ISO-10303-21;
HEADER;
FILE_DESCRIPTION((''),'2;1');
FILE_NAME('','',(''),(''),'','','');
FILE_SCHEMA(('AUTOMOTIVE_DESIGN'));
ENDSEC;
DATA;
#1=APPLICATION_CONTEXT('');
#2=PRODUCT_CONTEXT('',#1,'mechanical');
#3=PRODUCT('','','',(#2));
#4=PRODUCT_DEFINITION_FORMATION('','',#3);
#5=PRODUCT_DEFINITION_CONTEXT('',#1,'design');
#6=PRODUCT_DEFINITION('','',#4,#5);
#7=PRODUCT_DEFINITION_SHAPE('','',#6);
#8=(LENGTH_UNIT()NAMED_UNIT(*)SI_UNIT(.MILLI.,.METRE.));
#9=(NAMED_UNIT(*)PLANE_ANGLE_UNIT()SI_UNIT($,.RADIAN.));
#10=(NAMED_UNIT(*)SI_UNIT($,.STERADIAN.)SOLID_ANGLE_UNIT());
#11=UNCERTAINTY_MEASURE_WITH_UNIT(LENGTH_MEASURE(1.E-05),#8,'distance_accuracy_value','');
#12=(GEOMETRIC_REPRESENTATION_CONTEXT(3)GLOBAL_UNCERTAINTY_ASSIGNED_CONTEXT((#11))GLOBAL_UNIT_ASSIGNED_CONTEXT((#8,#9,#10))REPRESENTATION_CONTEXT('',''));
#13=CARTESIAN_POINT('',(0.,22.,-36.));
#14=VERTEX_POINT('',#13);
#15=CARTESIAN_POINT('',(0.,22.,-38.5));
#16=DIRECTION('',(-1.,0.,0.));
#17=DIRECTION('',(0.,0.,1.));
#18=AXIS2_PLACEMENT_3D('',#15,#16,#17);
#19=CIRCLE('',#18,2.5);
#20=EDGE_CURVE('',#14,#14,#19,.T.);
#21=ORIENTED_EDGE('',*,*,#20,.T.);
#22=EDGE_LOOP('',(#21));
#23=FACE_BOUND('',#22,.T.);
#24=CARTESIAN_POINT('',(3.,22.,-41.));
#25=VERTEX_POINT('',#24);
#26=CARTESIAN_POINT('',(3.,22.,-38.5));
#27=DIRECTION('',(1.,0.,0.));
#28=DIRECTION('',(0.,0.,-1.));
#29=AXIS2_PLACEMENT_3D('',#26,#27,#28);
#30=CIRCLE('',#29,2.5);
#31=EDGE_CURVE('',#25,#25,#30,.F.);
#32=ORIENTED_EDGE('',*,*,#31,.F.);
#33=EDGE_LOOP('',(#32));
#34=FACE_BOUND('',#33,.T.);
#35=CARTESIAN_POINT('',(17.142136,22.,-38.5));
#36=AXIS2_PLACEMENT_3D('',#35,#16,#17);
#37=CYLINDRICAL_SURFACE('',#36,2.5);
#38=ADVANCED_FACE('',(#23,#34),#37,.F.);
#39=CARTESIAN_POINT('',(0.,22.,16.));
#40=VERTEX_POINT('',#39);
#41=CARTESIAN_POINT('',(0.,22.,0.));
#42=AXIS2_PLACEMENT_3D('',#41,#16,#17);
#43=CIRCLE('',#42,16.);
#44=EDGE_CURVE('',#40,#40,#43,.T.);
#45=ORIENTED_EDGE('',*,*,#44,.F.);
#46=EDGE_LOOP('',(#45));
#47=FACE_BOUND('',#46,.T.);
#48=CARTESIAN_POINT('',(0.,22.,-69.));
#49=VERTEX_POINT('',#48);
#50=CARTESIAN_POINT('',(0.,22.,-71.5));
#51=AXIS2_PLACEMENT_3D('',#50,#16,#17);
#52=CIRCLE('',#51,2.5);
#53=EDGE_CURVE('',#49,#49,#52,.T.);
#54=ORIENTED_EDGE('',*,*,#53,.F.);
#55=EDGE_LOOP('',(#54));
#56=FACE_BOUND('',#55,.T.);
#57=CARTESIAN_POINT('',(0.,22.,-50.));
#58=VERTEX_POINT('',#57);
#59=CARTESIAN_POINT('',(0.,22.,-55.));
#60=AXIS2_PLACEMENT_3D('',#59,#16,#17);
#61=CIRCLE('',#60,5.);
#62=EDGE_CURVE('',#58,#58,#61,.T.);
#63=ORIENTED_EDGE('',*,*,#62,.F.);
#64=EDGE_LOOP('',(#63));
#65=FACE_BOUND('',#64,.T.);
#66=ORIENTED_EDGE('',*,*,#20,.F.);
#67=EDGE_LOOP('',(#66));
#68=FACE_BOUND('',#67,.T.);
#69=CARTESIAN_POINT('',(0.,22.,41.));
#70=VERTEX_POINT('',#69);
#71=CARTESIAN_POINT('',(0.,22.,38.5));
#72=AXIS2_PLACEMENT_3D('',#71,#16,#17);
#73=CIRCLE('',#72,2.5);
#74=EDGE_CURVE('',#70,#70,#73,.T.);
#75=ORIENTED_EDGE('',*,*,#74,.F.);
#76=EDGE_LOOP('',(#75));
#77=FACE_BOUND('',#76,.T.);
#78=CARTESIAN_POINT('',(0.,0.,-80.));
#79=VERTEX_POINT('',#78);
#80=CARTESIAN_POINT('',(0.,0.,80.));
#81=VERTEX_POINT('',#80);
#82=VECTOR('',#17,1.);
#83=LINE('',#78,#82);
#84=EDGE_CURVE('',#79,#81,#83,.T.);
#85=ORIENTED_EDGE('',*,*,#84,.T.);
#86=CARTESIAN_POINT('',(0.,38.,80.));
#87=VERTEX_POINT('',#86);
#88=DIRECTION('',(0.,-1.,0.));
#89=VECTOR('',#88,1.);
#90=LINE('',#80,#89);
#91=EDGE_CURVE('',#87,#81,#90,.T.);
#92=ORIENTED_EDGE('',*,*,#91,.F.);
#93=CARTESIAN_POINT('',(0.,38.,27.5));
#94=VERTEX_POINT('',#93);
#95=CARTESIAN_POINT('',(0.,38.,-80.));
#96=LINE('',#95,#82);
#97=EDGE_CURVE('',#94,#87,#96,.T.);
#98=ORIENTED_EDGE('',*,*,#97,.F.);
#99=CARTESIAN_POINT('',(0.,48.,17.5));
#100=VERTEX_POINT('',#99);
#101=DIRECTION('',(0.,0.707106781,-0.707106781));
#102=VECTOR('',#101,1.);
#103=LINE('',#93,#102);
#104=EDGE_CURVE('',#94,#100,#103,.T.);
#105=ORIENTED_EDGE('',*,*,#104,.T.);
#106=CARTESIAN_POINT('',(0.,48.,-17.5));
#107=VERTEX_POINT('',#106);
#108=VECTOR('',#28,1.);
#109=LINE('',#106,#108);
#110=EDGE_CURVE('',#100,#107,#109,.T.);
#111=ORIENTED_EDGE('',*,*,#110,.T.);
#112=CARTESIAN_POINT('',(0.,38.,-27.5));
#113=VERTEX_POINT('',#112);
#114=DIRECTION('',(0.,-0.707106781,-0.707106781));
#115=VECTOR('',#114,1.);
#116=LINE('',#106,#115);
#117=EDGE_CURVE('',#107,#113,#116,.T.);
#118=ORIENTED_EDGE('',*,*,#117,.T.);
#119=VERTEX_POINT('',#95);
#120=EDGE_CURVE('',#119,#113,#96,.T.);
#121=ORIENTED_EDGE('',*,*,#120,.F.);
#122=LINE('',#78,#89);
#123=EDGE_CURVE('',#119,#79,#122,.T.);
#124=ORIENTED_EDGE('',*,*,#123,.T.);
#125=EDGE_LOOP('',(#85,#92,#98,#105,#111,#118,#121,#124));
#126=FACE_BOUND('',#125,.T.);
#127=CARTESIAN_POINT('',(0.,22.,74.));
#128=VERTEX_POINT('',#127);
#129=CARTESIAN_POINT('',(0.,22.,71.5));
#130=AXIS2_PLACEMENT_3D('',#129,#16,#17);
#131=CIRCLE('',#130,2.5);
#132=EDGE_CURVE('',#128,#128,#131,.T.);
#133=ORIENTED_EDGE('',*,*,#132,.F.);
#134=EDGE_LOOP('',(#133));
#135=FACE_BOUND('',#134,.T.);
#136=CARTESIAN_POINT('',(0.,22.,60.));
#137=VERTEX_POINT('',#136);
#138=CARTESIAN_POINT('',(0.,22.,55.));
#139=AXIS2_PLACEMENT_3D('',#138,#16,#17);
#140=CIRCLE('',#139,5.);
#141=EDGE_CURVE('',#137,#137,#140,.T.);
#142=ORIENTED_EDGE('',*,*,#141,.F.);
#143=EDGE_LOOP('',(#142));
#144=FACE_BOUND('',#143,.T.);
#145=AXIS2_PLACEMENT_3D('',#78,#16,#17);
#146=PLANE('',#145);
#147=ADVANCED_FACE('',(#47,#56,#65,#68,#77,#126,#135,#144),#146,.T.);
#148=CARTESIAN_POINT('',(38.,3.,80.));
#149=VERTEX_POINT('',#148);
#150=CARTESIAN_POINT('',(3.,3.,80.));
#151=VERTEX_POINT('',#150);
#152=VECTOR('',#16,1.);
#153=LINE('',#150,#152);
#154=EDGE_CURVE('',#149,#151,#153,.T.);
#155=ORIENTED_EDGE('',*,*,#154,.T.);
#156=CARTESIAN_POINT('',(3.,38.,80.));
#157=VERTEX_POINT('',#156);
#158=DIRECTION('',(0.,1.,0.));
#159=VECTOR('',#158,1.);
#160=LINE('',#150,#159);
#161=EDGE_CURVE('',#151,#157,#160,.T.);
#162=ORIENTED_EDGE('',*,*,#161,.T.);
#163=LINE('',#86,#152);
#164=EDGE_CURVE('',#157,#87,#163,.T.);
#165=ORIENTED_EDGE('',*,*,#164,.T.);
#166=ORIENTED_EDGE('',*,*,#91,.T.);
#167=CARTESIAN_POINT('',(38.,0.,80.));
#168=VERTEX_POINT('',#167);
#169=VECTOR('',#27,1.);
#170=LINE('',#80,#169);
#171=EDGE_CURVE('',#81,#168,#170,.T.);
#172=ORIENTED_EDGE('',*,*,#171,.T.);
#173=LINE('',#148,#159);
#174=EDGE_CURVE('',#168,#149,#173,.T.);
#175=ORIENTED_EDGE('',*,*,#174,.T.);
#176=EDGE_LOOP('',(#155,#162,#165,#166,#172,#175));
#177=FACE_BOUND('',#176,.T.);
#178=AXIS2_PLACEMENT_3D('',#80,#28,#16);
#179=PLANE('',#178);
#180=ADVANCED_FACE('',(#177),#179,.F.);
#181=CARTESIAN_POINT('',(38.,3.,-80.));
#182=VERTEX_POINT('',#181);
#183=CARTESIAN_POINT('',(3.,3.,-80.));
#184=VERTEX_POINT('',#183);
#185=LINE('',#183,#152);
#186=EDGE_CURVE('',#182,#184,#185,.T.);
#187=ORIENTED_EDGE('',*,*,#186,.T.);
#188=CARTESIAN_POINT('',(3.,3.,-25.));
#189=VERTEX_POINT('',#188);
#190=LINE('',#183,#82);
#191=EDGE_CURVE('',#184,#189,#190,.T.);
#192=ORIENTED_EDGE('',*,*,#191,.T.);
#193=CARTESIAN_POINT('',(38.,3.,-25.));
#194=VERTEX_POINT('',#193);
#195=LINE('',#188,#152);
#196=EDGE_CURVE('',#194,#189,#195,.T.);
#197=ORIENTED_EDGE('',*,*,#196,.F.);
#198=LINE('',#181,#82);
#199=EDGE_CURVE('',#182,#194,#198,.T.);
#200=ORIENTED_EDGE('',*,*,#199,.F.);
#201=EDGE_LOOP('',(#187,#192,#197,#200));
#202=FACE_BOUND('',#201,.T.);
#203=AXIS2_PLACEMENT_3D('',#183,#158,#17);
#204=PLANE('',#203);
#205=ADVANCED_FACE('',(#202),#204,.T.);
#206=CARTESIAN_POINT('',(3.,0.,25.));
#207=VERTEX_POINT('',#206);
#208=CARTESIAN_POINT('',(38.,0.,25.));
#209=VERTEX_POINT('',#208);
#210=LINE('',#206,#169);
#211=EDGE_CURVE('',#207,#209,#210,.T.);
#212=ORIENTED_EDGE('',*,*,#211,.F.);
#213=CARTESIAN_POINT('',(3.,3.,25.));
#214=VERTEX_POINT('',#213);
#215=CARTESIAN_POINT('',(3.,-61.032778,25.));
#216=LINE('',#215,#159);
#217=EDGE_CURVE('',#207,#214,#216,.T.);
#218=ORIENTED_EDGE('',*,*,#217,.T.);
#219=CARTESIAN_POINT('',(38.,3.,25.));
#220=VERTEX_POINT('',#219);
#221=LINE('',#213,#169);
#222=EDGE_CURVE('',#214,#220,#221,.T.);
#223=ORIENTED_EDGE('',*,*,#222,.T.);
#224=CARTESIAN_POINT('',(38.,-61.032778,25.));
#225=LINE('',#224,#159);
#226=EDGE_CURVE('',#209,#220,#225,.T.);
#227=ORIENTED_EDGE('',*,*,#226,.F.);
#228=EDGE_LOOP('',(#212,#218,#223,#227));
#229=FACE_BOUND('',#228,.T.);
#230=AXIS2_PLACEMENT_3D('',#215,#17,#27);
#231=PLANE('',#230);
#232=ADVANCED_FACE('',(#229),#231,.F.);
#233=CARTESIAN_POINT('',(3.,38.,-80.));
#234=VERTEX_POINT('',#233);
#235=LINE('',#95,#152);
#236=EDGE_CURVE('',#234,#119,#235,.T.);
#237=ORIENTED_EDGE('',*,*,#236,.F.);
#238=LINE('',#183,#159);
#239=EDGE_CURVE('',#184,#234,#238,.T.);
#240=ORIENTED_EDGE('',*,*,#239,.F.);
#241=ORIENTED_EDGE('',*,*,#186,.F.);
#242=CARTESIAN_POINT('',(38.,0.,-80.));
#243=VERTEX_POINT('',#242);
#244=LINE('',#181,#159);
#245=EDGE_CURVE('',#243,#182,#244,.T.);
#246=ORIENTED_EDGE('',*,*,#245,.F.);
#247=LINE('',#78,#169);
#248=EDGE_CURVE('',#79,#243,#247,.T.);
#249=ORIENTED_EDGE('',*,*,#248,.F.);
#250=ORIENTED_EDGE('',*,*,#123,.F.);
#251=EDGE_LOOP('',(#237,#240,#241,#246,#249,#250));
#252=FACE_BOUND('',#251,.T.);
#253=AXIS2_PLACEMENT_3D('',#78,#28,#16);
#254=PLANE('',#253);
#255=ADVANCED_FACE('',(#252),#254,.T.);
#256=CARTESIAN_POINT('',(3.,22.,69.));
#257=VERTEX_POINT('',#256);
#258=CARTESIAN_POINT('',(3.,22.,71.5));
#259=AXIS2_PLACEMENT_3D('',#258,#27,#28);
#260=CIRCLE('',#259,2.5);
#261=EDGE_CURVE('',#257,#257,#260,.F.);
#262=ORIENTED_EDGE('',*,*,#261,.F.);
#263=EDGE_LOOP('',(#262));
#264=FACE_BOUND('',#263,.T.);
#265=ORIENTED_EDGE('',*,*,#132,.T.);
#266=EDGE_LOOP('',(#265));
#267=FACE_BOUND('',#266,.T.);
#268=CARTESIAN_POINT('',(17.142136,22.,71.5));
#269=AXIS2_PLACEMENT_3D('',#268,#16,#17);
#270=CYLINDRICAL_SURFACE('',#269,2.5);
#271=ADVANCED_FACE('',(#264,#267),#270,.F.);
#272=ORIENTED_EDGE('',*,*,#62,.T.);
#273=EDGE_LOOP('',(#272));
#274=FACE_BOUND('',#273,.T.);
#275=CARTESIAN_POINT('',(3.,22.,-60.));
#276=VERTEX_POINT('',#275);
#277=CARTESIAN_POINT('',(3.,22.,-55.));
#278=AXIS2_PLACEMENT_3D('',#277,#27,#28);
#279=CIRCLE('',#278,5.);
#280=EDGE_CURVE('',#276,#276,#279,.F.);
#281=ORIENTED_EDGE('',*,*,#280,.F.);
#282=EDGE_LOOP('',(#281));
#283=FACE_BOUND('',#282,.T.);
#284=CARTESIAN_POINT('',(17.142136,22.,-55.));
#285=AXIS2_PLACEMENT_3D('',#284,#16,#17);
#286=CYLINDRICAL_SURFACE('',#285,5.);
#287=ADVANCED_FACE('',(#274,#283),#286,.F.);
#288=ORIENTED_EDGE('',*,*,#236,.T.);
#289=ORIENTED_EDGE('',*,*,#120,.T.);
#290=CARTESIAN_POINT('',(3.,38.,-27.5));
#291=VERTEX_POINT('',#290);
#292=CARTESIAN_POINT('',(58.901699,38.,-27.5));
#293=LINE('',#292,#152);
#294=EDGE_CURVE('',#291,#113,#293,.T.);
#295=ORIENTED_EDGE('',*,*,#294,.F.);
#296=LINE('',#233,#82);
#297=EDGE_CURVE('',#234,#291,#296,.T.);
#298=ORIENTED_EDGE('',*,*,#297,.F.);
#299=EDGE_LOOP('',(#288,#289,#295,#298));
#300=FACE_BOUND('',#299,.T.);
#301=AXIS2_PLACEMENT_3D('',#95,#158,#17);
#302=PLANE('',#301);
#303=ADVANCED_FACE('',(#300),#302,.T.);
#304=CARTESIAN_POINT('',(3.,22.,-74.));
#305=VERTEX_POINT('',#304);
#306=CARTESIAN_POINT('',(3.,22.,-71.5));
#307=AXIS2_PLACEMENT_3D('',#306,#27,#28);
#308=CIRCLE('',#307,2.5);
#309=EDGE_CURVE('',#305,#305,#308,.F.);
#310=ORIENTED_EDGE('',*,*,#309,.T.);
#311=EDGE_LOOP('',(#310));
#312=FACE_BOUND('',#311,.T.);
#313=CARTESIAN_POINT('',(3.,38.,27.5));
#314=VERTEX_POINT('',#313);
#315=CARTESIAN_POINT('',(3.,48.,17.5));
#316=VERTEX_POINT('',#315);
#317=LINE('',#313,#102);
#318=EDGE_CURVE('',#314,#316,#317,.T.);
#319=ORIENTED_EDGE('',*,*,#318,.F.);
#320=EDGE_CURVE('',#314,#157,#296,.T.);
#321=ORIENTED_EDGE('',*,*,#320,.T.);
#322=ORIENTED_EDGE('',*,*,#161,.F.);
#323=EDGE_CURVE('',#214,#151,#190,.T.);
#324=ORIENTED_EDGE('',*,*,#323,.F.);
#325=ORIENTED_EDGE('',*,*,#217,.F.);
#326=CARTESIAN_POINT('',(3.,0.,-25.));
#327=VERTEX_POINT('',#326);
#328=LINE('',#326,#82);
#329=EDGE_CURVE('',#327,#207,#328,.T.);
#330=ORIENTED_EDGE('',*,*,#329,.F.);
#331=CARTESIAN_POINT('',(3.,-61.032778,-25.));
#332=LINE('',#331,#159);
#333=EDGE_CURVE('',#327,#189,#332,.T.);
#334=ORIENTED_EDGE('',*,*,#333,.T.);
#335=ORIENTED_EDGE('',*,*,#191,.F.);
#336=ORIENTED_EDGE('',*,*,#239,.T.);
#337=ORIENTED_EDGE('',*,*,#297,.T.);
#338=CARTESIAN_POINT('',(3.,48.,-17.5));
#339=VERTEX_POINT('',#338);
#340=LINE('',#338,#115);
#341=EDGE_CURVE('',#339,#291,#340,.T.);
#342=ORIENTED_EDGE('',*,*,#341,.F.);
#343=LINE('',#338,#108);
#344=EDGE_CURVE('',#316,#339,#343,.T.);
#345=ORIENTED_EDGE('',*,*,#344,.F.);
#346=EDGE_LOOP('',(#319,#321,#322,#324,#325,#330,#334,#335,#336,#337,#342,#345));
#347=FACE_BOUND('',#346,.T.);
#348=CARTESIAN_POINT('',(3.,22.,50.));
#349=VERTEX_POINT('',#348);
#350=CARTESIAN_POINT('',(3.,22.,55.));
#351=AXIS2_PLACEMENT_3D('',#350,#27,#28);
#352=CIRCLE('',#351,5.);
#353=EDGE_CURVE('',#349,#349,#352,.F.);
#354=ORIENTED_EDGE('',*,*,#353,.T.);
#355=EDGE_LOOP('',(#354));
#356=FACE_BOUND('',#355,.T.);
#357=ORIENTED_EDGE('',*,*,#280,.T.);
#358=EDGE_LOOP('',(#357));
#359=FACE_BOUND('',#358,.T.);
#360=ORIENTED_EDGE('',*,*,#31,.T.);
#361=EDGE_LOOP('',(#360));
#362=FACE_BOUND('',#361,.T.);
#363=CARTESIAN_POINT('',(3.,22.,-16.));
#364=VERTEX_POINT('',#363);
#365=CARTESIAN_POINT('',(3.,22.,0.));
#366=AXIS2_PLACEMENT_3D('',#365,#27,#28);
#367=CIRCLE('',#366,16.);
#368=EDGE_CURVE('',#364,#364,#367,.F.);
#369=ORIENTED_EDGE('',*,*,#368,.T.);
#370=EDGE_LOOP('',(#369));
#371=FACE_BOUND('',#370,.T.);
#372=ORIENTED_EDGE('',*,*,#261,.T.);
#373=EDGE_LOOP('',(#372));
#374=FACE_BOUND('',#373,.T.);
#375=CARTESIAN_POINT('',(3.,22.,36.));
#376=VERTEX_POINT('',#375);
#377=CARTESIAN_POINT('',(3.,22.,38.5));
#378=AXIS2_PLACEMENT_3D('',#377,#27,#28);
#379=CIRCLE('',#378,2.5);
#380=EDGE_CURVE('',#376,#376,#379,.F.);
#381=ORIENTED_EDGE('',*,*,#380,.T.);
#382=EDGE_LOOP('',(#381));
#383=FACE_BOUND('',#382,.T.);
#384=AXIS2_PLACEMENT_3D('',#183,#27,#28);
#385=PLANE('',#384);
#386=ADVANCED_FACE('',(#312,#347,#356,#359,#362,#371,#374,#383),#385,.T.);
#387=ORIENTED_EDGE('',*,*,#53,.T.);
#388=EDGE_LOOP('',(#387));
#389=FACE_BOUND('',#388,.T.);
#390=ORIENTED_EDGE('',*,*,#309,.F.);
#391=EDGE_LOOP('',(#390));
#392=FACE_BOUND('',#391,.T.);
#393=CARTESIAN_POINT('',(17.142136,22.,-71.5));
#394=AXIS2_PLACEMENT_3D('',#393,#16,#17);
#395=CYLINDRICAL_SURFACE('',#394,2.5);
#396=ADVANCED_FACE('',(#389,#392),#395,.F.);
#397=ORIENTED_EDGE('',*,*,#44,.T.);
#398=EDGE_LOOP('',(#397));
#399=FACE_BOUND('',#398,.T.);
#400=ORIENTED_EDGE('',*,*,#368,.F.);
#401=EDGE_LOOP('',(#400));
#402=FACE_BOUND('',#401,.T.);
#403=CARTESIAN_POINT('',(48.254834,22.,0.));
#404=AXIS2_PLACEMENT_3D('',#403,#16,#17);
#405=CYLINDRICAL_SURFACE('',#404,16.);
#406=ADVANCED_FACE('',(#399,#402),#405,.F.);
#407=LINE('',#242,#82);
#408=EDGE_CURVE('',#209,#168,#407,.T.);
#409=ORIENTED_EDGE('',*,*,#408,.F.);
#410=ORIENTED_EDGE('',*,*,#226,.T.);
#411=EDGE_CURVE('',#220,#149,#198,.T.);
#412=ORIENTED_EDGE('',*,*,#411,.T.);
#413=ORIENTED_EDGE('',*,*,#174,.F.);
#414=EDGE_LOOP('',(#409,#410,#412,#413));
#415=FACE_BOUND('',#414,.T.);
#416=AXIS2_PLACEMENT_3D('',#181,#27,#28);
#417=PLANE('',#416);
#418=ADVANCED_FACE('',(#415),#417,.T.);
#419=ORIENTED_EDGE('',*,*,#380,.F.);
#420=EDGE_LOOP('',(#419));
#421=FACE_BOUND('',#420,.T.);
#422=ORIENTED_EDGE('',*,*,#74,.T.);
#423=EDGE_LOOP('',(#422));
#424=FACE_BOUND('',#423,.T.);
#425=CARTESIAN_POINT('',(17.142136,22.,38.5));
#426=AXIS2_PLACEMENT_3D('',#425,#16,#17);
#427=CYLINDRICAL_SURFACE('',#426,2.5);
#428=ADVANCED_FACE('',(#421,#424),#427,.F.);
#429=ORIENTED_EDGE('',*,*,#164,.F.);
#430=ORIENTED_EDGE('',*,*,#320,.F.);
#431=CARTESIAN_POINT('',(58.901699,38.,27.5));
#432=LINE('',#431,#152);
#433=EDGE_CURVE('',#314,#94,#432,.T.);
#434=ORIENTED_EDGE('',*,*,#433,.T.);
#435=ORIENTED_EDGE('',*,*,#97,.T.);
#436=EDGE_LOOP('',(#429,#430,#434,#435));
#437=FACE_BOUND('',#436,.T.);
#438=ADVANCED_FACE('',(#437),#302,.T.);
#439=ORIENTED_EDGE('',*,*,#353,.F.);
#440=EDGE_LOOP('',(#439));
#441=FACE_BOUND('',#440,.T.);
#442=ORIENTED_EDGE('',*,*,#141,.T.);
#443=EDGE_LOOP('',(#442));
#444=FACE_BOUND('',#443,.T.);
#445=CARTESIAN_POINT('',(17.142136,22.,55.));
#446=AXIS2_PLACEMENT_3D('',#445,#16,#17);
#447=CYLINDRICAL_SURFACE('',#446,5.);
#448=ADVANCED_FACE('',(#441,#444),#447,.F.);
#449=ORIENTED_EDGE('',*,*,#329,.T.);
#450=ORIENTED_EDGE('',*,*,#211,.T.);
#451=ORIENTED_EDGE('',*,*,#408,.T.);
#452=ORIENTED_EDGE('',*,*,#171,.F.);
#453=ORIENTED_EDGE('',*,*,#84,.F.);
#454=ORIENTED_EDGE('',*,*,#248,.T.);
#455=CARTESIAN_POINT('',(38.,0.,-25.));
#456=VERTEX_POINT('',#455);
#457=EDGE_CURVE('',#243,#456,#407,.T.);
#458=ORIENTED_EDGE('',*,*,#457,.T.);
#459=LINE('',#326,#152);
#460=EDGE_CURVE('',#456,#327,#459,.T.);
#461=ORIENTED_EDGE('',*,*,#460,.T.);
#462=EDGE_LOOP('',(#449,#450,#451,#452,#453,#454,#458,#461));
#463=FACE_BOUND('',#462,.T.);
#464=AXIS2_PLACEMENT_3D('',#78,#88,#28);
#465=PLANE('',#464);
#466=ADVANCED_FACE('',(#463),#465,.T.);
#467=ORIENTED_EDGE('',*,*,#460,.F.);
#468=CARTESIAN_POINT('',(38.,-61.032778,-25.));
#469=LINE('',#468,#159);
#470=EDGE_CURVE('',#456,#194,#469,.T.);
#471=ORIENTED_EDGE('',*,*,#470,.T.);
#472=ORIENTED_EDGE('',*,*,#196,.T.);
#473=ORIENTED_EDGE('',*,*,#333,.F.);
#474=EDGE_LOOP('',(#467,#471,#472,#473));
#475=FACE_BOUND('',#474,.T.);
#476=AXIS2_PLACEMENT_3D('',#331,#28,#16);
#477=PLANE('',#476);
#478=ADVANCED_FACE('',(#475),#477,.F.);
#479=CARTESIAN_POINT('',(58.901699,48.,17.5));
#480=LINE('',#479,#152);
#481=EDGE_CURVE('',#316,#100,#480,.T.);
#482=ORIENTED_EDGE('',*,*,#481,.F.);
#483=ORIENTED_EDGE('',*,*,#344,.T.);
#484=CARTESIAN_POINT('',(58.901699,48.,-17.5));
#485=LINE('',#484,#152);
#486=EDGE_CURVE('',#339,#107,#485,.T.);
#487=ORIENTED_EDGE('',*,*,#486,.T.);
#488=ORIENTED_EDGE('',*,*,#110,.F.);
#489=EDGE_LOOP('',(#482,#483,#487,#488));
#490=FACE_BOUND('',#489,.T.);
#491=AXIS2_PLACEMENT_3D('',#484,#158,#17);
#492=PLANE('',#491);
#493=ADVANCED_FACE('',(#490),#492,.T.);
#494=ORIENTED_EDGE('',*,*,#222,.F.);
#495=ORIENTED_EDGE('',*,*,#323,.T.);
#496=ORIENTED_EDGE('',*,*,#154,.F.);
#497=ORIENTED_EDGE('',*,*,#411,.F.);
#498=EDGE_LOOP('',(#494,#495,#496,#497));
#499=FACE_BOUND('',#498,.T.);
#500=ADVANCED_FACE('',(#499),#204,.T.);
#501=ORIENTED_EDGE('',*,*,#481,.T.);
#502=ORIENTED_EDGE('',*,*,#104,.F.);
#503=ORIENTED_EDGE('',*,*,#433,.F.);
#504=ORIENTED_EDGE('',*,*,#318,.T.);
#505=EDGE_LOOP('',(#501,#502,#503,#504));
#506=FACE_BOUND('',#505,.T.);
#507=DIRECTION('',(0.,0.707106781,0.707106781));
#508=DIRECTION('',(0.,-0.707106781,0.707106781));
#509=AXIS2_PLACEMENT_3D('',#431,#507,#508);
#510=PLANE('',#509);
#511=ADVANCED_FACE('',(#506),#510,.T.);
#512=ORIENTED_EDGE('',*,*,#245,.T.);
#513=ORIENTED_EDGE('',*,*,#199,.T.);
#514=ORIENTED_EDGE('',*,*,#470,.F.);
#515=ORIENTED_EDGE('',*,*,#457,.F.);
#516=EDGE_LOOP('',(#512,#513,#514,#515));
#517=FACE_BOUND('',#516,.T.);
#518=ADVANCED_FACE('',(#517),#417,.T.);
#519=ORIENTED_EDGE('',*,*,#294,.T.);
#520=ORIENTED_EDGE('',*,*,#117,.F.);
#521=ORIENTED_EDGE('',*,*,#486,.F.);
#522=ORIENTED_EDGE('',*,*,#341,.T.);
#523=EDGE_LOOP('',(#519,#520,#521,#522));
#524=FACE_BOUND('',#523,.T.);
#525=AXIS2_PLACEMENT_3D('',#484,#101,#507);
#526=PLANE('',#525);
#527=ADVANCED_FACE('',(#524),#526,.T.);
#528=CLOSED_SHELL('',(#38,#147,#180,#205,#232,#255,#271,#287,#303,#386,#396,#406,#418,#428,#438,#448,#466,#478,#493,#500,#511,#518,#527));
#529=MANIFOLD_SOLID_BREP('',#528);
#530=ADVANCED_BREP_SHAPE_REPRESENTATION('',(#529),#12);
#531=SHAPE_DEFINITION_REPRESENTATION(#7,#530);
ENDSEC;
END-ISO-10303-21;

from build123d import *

# Parameters (mm, degrees)
SALIENTE_EXTRUIR1_DEPTH      = 80
SALIENTE_EXTRUIR1_DEPTH_BACK = 80
CROQUIS2_W                   = 35
CROQUIS2_H                   = 50
CORTAR_EXTRUIR1_DEPTH        = 3
CROQUIS3_R                   = 2.5
CROQUIS3_R_2                 = 5
CORTAR_EXTRUIR2_DEPTH        = 3
SALIENTE_EXTRUIR2_DEPTH      = 3
CROQUIS5_R                   = 16
CORTAR_EXTRUIR3_DEPTH        = 3


with BuildPart() as part:
    # Croquis1 → Saliente-Extruir1 (new body, two sides)
    with BuildSketch(Plane.XY) as saliente_extruir1_sk:
        Polygon((0, 0), (0, 38), (3, 38), (3, 3), (38, 3), (38, 0), align=None)
    extrude(amount=SALIENTE_EXTRUIR1_DEPTH)
    extrude(saliente_extruir1_sk.sketch, amount=-SALIENTE_EXTRUIR1_DEPTH_BACK)

    # Croquis2 → Cortar-Extruir1 (cut)
    with BuildSketch(Plane(origin=(0, 3, 0), x_dir=(1, 0, 0), z_dir=(0, 1, 0))):
        with Locations((20.5, 0)):
            Rectangle(CROQUIS2_W, CROQUIS2_H)
    extrude(amount=-CORTAR_EXTRUIR1_DEPTH, mode=Mode.SUBTRACT)

    # Croquis3 → Cortar-Extruir2 (cut)
    with BuildSketch(Plane.ZY):
        with Locations((71.5, 22)):
            Circle(CROQUIS3_R)
        with Locations((55, 22)):
            Circle(CROQUIS3_R_2)
        with Locations((38.5, 22)):
            Circle(CROQUIS3_R)
        with Locations((-38.5, 22)):
            Circle(CROQUIS3_R)
        with Locations((-55, 22)):
            Circle(CROQUIS3_R_2)
        with Locations((-71.5, 22)):
            Circle(CROQUIS3_R)
    extrude(amount=-CORTAR_EXTRUIR2_DEPTH, mode=Mode.SUBTRACT)

    # Croquis4 → Saliente-Extruir2 (add)
    with BuildSketch(Plane.ZY):
        Polygon((27.5, 38), (17.5, 48), (-17.5, 48), (-27.5, 38), align=None)
    extrude(amount=-SALIENTE_EXTRUIR2_DEPTH)

    # Croquis5 → Cortar-Extruir3 (cut)
    with BuildSketch(Plane.ZY):
        with Locations((0, 22)):
            Circle(CROQUIS5_R)
    extrude(amount=-CORTAR_EXTRUIR3_DEPTH, mode=Mode.SUBTRACT)


solid = part.part
